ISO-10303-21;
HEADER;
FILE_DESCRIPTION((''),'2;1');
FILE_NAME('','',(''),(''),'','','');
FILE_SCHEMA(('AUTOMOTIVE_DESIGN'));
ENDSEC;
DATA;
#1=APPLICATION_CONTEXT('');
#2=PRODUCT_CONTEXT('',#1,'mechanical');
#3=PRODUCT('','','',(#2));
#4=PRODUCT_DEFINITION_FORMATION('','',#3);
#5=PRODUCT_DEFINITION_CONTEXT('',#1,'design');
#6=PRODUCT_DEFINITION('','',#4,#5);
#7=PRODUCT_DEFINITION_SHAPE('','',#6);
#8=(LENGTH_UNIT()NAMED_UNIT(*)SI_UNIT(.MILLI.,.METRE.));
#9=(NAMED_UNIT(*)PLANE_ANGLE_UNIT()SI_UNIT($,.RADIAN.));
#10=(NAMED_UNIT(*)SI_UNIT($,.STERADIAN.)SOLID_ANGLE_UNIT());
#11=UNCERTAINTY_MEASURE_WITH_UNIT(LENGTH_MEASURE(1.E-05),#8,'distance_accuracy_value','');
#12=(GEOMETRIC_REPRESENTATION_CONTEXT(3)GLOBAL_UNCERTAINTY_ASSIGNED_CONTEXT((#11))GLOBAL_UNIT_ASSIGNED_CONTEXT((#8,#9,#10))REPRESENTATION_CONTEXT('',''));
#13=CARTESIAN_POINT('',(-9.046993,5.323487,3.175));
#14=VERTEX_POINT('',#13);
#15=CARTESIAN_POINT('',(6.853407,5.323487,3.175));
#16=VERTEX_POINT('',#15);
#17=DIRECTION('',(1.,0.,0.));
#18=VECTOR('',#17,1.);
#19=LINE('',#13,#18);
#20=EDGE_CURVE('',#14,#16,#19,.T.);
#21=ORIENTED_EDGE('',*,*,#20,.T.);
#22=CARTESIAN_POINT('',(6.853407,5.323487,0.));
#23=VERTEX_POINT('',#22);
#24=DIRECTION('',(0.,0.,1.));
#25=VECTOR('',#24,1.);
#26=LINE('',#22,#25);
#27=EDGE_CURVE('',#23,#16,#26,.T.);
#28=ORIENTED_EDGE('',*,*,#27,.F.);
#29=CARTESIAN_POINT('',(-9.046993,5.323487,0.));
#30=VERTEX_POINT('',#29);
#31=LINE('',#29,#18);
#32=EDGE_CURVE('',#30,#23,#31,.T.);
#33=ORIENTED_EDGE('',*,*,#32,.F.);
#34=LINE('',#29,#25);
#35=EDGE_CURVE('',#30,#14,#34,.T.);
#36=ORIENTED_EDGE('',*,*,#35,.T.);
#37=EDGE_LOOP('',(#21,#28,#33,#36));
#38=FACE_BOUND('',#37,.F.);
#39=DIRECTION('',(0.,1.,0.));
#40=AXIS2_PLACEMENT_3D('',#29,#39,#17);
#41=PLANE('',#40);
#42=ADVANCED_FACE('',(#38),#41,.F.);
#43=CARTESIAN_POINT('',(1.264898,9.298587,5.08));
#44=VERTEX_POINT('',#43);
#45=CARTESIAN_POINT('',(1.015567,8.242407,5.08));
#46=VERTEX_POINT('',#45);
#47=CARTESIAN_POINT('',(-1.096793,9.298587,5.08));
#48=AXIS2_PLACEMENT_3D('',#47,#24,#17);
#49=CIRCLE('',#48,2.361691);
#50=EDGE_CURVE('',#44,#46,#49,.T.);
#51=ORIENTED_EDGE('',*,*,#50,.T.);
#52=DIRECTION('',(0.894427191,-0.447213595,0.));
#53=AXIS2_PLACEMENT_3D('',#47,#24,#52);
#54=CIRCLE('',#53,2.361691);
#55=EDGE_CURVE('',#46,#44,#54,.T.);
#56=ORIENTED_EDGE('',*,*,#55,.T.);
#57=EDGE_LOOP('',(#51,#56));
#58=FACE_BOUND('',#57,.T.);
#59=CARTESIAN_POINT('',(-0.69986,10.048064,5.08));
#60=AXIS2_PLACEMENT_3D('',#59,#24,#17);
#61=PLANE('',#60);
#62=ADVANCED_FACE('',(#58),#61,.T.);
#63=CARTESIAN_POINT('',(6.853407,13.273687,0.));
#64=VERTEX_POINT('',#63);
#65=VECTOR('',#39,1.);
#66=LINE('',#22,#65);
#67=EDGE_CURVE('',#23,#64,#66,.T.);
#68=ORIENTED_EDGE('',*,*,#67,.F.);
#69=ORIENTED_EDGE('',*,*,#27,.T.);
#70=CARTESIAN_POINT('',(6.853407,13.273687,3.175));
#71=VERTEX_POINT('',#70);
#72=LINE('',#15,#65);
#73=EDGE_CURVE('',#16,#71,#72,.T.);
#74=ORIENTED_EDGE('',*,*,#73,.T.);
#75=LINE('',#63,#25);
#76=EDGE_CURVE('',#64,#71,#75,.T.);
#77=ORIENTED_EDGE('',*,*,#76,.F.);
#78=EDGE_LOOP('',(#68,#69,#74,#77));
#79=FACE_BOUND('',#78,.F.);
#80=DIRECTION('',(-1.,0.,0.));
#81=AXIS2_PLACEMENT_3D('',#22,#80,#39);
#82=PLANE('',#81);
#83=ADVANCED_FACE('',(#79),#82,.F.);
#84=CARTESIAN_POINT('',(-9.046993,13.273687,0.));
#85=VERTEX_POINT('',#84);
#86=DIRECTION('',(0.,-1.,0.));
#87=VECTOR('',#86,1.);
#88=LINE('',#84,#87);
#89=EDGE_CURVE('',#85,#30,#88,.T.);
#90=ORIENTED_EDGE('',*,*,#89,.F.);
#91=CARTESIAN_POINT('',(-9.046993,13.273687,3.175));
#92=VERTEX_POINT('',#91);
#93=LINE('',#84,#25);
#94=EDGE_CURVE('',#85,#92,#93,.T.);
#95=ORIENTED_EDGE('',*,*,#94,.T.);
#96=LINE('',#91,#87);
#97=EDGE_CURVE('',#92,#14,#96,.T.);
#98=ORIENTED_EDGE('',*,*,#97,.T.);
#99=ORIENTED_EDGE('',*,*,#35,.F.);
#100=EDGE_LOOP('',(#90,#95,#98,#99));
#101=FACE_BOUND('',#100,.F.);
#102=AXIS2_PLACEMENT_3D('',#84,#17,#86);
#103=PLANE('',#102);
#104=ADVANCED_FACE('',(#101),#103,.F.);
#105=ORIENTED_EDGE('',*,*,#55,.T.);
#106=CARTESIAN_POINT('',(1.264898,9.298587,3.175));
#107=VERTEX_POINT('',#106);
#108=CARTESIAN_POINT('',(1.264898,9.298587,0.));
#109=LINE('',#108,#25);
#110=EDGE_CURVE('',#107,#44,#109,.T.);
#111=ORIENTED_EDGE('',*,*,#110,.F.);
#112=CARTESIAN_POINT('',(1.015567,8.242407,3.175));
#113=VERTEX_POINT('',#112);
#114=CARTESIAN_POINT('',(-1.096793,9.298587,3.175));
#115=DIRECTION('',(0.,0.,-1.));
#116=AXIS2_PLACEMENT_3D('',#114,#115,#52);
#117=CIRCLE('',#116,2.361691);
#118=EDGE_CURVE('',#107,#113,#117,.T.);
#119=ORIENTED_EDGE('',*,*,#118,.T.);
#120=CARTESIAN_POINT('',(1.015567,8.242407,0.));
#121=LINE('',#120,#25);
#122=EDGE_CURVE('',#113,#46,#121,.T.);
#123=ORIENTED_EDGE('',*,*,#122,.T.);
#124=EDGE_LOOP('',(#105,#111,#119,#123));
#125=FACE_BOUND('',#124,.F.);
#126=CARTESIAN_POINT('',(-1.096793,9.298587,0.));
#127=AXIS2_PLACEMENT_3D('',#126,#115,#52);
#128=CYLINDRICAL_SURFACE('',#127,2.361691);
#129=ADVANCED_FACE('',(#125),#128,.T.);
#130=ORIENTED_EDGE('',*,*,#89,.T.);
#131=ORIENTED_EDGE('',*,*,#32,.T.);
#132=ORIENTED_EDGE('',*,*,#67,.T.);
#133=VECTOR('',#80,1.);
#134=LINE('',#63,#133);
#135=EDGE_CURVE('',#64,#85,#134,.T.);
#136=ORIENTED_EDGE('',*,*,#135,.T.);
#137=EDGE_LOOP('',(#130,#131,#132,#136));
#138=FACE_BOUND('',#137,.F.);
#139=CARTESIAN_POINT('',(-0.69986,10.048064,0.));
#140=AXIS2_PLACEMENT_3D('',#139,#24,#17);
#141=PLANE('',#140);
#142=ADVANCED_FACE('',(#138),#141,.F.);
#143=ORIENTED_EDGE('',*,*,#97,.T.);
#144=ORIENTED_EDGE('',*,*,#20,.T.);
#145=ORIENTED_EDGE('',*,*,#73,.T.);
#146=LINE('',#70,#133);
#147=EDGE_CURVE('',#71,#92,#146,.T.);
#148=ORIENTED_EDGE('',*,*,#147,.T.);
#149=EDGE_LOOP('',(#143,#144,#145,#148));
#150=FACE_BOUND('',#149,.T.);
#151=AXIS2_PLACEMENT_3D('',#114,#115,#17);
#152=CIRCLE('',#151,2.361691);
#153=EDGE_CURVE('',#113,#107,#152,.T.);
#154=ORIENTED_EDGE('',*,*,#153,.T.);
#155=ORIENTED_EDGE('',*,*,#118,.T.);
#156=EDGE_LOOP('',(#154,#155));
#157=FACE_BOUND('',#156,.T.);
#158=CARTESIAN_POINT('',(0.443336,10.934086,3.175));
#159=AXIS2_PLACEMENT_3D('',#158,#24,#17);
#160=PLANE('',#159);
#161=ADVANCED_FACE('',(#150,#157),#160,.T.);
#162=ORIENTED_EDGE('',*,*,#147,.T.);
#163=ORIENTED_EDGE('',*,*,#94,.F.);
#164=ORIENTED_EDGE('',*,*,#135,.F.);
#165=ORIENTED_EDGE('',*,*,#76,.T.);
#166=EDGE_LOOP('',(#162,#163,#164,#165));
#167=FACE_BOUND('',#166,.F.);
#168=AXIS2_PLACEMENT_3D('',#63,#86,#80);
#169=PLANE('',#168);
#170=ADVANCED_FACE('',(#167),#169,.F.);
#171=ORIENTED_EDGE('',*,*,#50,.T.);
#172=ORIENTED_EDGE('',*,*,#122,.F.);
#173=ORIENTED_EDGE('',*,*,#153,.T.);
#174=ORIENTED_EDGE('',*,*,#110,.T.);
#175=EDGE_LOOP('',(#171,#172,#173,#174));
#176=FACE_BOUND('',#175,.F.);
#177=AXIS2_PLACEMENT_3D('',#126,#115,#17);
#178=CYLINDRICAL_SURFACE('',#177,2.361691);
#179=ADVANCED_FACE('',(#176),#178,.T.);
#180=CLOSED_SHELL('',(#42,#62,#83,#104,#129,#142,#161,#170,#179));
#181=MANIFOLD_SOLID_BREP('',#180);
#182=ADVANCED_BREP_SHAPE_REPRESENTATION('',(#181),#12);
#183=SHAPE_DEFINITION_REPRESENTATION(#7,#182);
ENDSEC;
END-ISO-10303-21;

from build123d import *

# Parameters (mm, degrees)
F1_DEPTH = 3.175
F2_DEPTH = 5.08


with BuildPart() as f1:
    # F0 (on Top) → F1 (new body)
    with BuildSketch(Plane.XY):
        with BuildLine():
            Line((6.8534065496, 13.273686968), (-9.0469934504, 13.273686968))
            Line((-9.0469934504, 13.273686968), (-3.2091541804, 10.354767333))
            ThreePointArc((-3.2091541804, 10.354767333), (-0.5541880245, 11.5971004374), (1.2648976422, 9.298586968))
            ThreePointArc((1.2648976422, 9.298586968), (1.2017200189, 8.7559815421), (1.0155672796, 8.2424066031))
            Line((1.0155672796, 8.2424066031), (6.8534065496, 5.323486968))
            Line((6.8534065496, 5.323486968), (6.8534065496, 13.273686968))
        make_face()
        with BuildLine():
            Line((-3.2091541804, 10.354767333), (-9.0469934504, 13.273686968))
            Line((-9.0469934504, 13.273686968), (-9.0469934504, 5.323486968))
            Line((-9.0469934504, 5.323486968), (6.8534065496, 5.323486968))
            Line((6.8534065496, 5.323486968), (1.0155672796, 8.2424066031))
            ThreePointArc((1.0155672796, 8.2424066031), (-2.1529738154, 7.1862262381), (-3.2091541804, 10.354767333))
        make_face()
        with BuildLine():
            ThreePointArc((1.2648976422, 9.298586968), (-0.5541880245, 11.5971004374), (-3.2091541804, 10.354767333))
            Line((-3.2091541804, 10.354767333), (1.0155672796, 8.2424066031))
            ThreePointArc((1.0155672796, 8.2424066031), (1.2017200189, 8.7559815421), (1.2648976422, 9.298586968))
        make_face()
        with BuildLine():
            Line((1.0155672796, 8.2424066031), (-3.2091541804, 10.354767333))
            ThreePointArc((-3.2091541804, 10.354767333), (-2.1529738154, 7.1862262381), (1.0155672796, 8.2424066031))
        make_face()
    extrude(amount=F1_DEPTH)

    # F0 (on Top) → F2 (join)
    with BuildSketch(Plane.XY):
        with BuildLine():
            ThreePointArc((1.2648976422, 9.298586968), (-0.5541880245, 11.5971004374), (-3.2091541804, 10.354767333))
            Line((-3.2091541804, 10.354767333), (1.0155672796, 8.2424066031))
            ThreePointArc((1.0155672796, 8.2424066031), (1.2017200189, 8.7559815421), (1.2648976422, 9.298586968))
        make_face()
        with BuildLine():
            Line((1.0155672796, 8.2424066031), (-3.2091541804, 10.354767333))
            ThreePointArc((-3.2091541804, 10.354767333), (-2.1529738154, 7.1862262381), (1.0155672796, 8.2424066031))
        make_face()
    extrude(amount=F2_DEPTH)


solid = f1.part
